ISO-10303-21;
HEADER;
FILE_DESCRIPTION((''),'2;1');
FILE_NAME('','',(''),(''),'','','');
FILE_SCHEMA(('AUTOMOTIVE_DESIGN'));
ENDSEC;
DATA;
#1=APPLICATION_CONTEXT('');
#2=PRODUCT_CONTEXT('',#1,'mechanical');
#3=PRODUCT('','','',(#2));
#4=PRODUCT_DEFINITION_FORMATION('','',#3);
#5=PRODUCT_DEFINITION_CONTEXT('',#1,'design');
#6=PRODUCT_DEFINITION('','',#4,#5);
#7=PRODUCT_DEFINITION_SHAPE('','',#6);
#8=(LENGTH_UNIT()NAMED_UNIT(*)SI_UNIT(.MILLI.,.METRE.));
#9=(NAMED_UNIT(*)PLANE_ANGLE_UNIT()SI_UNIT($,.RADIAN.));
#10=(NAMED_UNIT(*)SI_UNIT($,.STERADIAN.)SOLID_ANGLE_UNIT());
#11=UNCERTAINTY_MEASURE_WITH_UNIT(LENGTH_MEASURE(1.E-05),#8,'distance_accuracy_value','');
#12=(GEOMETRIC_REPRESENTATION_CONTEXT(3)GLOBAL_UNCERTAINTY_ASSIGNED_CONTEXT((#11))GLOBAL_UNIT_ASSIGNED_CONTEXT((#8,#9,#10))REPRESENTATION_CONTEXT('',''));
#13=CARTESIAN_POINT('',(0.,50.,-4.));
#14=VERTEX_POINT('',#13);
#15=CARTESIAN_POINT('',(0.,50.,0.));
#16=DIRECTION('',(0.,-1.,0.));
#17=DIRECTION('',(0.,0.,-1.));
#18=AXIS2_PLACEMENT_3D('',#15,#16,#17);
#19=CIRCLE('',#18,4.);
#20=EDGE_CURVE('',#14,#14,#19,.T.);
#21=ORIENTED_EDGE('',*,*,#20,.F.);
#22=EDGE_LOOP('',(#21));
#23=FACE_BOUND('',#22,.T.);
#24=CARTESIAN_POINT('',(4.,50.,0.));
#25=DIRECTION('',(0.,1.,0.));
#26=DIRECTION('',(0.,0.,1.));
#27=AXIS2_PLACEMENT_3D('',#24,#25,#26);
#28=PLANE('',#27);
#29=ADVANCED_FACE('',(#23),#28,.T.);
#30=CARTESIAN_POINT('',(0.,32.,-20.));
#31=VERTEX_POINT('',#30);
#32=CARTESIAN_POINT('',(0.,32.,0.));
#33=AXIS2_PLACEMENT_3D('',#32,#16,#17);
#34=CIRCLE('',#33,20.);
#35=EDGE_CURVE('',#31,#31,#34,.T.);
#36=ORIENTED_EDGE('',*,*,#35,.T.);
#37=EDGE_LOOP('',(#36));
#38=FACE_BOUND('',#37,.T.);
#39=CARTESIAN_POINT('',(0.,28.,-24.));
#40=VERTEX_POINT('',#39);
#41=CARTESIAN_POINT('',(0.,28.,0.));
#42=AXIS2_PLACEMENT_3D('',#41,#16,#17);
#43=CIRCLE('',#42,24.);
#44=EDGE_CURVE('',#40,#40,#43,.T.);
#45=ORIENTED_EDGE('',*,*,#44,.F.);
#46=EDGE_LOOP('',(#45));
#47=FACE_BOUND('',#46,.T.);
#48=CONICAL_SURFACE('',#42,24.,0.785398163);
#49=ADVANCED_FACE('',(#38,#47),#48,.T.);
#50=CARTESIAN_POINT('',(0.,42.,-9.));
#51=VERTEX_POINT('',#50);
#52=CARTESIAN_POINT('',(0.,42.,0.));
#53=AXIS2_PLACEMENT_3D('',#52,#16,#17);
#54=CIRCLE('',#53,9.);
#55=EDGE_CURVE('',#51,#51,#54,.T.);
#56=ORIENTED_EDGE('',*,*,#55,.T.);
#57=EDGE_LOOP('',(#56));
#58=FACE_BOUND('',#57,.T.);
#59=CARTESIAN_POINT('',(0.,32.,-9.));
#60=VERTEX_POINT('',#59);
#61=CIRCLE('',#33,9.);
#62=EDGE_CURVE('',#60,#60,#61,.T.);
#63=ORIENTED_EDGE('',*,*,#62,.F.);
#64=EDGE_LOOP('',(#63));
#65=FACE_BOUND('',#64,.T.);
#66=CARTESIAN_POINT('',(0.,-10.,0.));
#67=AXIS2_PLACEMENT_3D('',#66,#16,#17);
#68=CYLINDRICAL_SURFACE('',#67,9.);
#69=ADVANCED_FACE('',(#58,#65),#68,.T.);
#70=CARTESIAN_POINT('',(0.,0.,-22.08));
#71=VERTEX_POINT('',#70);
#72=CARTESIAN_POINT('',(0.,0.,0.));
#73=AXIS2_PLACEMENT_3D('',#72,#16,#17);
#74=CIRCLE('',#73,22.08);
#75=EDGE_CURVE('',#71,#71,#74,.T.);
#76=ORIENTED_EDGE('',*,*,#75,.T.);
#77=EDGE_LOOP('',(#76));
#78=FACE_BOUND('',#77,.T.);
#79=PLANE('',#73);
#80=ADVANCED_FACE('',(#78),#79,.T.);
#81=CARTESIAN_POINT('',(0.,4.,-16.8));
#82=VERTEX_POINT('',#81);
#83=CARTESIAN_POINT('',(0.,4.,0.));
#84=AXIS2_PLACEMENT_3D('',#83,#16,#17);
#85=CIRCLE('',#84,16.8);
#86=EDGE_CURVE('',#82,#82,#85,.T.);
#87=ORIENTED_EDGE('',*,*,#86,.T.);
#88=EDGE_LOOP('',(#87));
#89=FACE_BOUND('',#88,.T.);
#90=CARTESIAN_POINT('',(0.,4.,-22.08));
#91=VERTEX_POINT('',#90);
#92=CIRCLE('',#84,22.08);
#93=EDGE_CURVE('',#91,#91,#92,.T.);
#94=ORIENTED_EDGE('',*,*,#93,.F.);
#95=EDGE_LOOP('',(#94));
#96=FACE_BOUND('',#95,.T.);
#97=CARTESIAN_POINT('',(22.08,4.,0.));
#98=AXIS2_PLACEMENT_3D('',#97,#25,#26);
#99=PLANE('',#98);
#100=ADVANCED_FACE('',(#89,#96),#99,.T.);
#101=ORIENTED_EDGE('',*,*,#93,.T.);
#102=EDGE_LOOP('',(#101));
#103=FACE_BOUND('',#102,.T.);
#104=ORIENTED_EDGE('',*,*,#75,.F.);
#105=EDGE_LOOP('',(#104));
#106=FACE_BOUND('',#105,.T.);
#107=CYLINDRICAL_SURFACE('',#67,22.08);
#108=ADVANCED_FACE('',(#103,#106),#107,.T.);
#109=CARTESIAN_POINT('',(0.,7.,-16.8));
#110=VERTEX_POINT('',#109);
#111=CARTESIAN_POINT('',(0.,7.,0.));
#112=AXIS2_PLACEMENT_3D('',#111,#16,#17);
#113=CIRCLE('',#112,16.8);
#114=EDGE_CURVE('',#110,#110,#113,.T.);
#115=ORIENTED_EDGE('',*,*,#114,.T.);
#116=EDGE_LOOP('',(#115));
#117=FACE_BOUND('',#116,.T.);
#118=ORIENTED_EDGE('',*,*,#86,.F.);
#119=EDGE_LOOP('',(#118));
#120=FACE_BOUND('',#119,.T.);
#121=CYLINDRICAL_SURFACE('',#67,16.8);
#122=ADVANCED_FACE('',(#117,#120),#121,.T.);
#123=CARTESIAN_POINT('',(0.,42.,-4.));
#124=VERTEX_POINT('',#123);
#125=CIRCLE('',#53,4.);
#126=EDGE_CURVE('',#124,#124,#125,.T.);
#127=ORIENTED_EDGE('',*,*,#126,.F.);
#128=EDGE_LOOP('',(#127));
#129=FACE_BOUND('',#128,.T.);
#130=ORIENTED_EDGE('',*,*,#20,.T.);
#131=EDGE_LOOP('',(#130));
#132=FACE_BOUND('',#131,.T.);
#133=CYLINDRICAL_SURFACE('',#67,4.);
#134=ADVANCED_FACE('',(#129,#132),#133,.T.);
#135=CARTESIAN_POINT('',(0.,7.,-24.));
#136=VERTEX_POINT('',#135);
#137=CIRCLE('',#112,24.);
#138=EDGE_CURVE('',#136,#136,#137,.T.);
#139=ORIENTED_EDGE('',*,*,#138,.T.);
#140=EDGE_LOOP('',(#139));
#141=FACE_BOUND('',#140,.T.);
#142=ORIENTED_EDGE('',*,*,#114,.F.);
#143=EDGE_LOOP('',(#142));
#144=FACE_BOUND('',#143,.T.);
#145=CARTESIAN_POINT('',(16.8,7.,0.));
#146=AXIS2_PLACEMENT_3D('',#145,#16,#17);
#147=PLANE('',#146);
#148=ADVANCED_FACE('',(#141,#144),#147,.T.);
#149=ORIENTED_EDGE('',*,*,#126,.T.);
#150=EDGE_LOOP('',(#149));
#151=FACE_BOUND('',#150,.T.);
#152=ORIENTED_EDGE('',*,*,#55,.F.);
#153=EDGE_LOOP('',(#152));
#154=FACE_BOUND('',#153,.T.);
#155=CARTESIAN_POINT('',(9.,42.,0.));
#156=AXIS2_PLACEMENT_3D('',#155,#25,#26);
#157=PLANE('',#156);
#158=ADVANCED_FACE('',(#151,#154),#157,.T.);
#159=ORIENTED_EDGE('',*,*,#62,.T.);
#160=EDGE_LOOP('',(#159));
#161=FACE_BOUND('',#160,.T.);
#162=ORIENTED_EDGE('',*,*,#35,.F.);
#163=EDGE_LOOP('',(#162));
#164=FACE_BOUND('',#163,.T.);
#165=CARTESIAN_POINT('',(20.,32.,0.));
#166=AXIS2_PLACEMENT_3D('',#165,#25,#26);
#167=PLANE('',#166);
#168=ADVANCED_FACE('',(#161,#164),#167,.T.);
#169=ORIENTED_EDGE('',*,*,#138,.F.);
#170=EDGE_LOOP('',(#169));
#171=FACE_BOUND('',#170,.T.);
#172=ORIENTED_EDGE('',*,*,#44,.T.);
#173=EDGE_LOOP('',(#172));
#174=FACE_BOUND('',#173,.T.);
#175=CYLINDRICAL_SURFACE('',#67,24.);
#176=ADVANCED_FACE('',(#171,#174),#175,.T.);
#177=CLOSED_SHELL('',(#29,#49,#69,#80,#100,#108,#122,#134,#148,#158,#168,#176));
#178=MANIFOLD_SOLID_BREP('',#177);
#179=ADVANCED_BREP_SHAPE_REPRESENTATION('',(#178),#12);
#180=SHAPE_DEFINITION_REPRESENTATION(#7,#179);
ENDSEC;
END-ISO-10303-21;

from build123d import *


with BuildPart() as part:
    # Sketch1 → Revolve1 (revolve)
    with BuildSketch(Plane.XY, mode=Mode.PRIVATE) as revolve1_sk:
        Polygon((0, 0), (22.08, 0), (22.08, 4), (16.8, 4), (16.8, 7), (24, 7), (24, 28), (20, 32), (9, 32), (9, 42), (4, 42), (4, 50), (0, 50), align=None)
    revolve(revolve1_sk.sketch.rotate(Axis((0, -10, 0), (0, 1, 0)), 90), axis=Axis((0, -10, 0), (0, 1, 0)))


solid = part.part
